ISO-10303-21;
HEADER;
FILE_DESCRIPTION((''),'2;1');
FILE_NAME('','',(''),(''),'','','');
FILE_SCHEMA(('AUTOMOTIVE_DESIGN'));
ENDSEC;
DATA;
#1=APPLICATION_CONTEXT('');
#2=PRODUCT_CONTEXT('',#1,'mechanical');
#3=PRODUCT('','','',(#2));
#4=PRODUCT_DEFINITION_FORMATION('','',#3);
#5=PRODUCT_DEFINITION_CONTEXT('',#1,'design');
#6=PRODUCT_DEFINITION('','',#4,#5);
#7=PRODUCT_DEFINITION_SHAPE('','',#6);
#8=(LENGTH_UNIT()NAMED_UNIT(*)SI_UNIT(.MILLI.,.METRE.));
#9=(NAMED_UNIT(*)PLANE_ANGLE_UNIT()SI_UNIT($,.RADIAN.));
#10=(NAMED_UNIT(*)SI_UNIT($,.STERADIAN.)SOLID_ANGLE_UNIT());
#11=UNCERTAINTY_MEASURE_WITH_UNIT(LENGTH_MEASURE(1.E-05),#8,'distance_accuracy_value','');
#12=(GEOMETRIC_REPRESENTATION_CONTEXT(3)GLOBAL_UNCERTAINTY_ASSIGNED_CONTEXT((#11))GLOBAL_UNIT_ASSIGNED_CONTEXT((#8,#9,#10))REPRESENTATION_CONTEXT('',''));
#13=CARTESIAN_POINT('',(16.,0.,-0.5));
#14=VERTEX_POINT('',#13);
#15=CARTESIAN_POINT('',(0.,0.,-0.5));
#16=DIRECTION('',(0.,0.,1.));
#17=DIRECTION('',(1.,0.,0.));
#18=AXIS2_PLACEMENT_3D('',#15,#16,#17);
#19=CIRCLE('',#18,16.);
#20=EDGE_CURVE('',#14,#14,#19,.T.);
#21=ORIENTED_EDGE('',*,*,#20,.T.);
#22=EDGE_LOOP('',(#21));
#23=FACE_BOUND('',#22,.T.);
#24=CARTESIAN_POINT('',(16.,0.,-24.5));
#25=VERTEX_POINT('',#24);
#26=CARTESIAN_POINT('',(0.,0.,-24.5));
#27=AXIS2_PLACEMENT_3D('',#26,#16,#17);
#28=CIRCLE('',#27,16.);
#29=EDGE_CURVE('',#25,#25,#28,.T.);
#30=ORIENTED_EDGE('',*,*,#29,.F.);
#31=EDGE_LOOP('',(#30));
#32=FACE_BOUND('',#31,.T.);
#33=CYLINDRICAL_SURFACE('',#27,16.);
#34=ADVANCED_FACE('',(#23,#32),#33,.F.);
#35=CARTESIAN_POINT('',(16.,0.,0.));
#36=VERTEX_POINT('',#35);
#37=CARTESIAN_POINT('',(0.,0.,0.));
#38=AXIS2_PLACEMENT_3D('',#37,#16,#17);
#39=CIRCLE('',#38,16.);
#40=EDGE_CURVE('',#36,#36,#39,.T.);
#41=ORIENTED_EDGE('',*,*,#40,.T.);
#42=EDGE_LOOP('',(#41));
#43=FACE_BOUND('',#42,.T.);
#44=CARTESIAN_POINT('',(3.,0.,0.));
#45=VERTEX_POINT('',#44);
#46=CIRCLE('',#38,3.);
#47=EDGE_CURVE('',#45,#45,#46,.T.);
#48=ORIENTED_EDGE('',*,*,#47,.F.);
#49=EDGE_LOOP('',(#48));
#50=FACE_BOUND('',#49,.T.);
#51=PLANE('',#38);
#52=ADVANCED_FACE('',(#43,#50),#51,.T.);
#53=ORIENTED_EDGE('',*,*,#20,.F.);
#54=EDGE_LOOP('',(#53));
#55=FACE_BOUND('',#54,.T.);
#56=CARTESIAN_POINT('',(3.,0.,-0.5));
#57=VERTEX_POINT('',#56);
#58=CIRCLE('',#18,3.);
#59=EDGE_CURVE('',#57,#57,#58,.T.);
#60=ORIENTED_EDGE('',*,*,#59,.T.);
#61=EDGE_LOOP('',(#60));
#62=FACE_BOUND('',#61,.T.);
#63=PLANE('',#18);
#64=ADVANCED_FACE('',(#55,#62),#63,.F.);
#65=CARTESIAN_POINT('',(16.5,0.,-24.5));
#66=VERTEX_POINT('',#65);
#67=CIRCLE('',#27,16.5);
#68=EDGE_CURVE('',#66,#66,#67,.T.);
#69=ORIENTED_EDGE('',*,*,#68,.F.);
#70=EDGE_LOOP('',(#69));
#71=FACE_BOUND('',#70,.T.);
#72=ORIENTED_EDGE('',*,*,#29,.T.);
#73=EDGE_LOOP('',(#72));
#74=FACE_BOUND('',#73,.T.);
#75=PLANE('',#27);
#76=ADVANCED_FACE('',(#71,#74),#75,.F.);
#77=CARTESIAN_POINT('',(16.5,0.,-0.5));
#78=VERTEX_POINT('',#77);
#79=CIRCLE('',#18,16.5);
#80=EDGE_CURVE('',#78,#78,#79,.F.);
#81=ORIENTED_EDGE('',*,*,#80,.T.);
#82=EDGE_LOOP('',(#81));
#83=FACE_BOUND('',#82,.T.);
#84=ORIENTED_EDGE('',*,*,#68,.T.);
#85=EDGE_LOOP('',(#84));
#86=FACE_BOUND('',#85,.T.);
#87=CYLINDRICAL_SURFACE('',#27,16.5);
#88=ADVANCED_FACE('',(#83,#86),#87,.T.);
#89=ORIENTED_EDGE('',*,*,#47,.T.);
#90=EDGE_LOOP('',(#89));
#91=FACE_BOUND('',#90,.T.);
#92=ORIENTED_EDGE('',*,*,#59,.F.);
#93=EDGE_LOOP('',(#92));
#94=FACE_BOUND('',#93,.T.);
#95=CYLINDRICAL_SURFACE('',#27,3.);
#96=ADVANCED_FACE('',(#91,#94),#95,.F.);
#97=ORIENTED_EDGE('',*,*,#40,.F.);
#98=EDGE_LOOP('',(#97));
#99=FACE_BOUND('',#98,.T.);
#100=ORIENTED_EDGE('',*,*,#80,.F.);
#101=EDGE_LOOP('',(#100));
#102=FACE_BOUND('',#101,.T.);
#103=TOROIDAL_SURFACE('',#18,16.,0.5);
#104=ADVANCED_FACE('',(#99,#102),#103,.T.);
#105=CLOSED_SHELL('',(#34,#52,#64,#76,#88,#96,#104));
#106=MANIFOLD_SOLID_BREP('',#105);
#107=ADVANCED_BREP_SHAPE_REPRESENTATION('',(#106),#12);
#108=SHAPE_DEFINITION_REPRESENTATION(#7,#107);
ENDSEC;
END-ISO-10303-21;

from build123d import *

# Parameters (mm, degrees)
SKETCH1_R           = 16.5
BOSS_EXTRUDE1_DEPTH = 24.5
SHELL1_T            = -0.5
SKETCH2_R           = 3
CUT_EXTRUDE1_DEPTH  = 34.834154341
FILLET1_R           = 0.5


with BuildPart() as part:
    # Sketch1 → Boss-Extrude1 (new body)
    with BuildSketch(Plane.XY):
        Circle(SKETCH1_R)
    extrude(amount=-BOSS_EXTRUDE1_DEPTH)

    # Shell1
    shell1_openings = [part.faces().sort_by_distance(p)[0] for p in [
        (0, 0, -24.5),
    ]]
    offset(amount=SHELL1_T, openings=shell1_openings, kind=Kind.INTERSECTION)

    # Sketch2 → Cut-Extrude1 (cut, through all)
    with BuildSketch(Plane.XY):
        Circle(SKETCH2_R)
    extrude(amount=-CUT_EXTRUDE1_DEPTH, mode=Mode.SUBTRACT)

    # Fillet1
    fillet1_edges = [part.edges().sort_by_distance(p)[0] for p in [
        (-16.5, 0, 0),
    ]]
    fillet(fillet1_edges, radius=FILLET1_R)


solid = part.part
